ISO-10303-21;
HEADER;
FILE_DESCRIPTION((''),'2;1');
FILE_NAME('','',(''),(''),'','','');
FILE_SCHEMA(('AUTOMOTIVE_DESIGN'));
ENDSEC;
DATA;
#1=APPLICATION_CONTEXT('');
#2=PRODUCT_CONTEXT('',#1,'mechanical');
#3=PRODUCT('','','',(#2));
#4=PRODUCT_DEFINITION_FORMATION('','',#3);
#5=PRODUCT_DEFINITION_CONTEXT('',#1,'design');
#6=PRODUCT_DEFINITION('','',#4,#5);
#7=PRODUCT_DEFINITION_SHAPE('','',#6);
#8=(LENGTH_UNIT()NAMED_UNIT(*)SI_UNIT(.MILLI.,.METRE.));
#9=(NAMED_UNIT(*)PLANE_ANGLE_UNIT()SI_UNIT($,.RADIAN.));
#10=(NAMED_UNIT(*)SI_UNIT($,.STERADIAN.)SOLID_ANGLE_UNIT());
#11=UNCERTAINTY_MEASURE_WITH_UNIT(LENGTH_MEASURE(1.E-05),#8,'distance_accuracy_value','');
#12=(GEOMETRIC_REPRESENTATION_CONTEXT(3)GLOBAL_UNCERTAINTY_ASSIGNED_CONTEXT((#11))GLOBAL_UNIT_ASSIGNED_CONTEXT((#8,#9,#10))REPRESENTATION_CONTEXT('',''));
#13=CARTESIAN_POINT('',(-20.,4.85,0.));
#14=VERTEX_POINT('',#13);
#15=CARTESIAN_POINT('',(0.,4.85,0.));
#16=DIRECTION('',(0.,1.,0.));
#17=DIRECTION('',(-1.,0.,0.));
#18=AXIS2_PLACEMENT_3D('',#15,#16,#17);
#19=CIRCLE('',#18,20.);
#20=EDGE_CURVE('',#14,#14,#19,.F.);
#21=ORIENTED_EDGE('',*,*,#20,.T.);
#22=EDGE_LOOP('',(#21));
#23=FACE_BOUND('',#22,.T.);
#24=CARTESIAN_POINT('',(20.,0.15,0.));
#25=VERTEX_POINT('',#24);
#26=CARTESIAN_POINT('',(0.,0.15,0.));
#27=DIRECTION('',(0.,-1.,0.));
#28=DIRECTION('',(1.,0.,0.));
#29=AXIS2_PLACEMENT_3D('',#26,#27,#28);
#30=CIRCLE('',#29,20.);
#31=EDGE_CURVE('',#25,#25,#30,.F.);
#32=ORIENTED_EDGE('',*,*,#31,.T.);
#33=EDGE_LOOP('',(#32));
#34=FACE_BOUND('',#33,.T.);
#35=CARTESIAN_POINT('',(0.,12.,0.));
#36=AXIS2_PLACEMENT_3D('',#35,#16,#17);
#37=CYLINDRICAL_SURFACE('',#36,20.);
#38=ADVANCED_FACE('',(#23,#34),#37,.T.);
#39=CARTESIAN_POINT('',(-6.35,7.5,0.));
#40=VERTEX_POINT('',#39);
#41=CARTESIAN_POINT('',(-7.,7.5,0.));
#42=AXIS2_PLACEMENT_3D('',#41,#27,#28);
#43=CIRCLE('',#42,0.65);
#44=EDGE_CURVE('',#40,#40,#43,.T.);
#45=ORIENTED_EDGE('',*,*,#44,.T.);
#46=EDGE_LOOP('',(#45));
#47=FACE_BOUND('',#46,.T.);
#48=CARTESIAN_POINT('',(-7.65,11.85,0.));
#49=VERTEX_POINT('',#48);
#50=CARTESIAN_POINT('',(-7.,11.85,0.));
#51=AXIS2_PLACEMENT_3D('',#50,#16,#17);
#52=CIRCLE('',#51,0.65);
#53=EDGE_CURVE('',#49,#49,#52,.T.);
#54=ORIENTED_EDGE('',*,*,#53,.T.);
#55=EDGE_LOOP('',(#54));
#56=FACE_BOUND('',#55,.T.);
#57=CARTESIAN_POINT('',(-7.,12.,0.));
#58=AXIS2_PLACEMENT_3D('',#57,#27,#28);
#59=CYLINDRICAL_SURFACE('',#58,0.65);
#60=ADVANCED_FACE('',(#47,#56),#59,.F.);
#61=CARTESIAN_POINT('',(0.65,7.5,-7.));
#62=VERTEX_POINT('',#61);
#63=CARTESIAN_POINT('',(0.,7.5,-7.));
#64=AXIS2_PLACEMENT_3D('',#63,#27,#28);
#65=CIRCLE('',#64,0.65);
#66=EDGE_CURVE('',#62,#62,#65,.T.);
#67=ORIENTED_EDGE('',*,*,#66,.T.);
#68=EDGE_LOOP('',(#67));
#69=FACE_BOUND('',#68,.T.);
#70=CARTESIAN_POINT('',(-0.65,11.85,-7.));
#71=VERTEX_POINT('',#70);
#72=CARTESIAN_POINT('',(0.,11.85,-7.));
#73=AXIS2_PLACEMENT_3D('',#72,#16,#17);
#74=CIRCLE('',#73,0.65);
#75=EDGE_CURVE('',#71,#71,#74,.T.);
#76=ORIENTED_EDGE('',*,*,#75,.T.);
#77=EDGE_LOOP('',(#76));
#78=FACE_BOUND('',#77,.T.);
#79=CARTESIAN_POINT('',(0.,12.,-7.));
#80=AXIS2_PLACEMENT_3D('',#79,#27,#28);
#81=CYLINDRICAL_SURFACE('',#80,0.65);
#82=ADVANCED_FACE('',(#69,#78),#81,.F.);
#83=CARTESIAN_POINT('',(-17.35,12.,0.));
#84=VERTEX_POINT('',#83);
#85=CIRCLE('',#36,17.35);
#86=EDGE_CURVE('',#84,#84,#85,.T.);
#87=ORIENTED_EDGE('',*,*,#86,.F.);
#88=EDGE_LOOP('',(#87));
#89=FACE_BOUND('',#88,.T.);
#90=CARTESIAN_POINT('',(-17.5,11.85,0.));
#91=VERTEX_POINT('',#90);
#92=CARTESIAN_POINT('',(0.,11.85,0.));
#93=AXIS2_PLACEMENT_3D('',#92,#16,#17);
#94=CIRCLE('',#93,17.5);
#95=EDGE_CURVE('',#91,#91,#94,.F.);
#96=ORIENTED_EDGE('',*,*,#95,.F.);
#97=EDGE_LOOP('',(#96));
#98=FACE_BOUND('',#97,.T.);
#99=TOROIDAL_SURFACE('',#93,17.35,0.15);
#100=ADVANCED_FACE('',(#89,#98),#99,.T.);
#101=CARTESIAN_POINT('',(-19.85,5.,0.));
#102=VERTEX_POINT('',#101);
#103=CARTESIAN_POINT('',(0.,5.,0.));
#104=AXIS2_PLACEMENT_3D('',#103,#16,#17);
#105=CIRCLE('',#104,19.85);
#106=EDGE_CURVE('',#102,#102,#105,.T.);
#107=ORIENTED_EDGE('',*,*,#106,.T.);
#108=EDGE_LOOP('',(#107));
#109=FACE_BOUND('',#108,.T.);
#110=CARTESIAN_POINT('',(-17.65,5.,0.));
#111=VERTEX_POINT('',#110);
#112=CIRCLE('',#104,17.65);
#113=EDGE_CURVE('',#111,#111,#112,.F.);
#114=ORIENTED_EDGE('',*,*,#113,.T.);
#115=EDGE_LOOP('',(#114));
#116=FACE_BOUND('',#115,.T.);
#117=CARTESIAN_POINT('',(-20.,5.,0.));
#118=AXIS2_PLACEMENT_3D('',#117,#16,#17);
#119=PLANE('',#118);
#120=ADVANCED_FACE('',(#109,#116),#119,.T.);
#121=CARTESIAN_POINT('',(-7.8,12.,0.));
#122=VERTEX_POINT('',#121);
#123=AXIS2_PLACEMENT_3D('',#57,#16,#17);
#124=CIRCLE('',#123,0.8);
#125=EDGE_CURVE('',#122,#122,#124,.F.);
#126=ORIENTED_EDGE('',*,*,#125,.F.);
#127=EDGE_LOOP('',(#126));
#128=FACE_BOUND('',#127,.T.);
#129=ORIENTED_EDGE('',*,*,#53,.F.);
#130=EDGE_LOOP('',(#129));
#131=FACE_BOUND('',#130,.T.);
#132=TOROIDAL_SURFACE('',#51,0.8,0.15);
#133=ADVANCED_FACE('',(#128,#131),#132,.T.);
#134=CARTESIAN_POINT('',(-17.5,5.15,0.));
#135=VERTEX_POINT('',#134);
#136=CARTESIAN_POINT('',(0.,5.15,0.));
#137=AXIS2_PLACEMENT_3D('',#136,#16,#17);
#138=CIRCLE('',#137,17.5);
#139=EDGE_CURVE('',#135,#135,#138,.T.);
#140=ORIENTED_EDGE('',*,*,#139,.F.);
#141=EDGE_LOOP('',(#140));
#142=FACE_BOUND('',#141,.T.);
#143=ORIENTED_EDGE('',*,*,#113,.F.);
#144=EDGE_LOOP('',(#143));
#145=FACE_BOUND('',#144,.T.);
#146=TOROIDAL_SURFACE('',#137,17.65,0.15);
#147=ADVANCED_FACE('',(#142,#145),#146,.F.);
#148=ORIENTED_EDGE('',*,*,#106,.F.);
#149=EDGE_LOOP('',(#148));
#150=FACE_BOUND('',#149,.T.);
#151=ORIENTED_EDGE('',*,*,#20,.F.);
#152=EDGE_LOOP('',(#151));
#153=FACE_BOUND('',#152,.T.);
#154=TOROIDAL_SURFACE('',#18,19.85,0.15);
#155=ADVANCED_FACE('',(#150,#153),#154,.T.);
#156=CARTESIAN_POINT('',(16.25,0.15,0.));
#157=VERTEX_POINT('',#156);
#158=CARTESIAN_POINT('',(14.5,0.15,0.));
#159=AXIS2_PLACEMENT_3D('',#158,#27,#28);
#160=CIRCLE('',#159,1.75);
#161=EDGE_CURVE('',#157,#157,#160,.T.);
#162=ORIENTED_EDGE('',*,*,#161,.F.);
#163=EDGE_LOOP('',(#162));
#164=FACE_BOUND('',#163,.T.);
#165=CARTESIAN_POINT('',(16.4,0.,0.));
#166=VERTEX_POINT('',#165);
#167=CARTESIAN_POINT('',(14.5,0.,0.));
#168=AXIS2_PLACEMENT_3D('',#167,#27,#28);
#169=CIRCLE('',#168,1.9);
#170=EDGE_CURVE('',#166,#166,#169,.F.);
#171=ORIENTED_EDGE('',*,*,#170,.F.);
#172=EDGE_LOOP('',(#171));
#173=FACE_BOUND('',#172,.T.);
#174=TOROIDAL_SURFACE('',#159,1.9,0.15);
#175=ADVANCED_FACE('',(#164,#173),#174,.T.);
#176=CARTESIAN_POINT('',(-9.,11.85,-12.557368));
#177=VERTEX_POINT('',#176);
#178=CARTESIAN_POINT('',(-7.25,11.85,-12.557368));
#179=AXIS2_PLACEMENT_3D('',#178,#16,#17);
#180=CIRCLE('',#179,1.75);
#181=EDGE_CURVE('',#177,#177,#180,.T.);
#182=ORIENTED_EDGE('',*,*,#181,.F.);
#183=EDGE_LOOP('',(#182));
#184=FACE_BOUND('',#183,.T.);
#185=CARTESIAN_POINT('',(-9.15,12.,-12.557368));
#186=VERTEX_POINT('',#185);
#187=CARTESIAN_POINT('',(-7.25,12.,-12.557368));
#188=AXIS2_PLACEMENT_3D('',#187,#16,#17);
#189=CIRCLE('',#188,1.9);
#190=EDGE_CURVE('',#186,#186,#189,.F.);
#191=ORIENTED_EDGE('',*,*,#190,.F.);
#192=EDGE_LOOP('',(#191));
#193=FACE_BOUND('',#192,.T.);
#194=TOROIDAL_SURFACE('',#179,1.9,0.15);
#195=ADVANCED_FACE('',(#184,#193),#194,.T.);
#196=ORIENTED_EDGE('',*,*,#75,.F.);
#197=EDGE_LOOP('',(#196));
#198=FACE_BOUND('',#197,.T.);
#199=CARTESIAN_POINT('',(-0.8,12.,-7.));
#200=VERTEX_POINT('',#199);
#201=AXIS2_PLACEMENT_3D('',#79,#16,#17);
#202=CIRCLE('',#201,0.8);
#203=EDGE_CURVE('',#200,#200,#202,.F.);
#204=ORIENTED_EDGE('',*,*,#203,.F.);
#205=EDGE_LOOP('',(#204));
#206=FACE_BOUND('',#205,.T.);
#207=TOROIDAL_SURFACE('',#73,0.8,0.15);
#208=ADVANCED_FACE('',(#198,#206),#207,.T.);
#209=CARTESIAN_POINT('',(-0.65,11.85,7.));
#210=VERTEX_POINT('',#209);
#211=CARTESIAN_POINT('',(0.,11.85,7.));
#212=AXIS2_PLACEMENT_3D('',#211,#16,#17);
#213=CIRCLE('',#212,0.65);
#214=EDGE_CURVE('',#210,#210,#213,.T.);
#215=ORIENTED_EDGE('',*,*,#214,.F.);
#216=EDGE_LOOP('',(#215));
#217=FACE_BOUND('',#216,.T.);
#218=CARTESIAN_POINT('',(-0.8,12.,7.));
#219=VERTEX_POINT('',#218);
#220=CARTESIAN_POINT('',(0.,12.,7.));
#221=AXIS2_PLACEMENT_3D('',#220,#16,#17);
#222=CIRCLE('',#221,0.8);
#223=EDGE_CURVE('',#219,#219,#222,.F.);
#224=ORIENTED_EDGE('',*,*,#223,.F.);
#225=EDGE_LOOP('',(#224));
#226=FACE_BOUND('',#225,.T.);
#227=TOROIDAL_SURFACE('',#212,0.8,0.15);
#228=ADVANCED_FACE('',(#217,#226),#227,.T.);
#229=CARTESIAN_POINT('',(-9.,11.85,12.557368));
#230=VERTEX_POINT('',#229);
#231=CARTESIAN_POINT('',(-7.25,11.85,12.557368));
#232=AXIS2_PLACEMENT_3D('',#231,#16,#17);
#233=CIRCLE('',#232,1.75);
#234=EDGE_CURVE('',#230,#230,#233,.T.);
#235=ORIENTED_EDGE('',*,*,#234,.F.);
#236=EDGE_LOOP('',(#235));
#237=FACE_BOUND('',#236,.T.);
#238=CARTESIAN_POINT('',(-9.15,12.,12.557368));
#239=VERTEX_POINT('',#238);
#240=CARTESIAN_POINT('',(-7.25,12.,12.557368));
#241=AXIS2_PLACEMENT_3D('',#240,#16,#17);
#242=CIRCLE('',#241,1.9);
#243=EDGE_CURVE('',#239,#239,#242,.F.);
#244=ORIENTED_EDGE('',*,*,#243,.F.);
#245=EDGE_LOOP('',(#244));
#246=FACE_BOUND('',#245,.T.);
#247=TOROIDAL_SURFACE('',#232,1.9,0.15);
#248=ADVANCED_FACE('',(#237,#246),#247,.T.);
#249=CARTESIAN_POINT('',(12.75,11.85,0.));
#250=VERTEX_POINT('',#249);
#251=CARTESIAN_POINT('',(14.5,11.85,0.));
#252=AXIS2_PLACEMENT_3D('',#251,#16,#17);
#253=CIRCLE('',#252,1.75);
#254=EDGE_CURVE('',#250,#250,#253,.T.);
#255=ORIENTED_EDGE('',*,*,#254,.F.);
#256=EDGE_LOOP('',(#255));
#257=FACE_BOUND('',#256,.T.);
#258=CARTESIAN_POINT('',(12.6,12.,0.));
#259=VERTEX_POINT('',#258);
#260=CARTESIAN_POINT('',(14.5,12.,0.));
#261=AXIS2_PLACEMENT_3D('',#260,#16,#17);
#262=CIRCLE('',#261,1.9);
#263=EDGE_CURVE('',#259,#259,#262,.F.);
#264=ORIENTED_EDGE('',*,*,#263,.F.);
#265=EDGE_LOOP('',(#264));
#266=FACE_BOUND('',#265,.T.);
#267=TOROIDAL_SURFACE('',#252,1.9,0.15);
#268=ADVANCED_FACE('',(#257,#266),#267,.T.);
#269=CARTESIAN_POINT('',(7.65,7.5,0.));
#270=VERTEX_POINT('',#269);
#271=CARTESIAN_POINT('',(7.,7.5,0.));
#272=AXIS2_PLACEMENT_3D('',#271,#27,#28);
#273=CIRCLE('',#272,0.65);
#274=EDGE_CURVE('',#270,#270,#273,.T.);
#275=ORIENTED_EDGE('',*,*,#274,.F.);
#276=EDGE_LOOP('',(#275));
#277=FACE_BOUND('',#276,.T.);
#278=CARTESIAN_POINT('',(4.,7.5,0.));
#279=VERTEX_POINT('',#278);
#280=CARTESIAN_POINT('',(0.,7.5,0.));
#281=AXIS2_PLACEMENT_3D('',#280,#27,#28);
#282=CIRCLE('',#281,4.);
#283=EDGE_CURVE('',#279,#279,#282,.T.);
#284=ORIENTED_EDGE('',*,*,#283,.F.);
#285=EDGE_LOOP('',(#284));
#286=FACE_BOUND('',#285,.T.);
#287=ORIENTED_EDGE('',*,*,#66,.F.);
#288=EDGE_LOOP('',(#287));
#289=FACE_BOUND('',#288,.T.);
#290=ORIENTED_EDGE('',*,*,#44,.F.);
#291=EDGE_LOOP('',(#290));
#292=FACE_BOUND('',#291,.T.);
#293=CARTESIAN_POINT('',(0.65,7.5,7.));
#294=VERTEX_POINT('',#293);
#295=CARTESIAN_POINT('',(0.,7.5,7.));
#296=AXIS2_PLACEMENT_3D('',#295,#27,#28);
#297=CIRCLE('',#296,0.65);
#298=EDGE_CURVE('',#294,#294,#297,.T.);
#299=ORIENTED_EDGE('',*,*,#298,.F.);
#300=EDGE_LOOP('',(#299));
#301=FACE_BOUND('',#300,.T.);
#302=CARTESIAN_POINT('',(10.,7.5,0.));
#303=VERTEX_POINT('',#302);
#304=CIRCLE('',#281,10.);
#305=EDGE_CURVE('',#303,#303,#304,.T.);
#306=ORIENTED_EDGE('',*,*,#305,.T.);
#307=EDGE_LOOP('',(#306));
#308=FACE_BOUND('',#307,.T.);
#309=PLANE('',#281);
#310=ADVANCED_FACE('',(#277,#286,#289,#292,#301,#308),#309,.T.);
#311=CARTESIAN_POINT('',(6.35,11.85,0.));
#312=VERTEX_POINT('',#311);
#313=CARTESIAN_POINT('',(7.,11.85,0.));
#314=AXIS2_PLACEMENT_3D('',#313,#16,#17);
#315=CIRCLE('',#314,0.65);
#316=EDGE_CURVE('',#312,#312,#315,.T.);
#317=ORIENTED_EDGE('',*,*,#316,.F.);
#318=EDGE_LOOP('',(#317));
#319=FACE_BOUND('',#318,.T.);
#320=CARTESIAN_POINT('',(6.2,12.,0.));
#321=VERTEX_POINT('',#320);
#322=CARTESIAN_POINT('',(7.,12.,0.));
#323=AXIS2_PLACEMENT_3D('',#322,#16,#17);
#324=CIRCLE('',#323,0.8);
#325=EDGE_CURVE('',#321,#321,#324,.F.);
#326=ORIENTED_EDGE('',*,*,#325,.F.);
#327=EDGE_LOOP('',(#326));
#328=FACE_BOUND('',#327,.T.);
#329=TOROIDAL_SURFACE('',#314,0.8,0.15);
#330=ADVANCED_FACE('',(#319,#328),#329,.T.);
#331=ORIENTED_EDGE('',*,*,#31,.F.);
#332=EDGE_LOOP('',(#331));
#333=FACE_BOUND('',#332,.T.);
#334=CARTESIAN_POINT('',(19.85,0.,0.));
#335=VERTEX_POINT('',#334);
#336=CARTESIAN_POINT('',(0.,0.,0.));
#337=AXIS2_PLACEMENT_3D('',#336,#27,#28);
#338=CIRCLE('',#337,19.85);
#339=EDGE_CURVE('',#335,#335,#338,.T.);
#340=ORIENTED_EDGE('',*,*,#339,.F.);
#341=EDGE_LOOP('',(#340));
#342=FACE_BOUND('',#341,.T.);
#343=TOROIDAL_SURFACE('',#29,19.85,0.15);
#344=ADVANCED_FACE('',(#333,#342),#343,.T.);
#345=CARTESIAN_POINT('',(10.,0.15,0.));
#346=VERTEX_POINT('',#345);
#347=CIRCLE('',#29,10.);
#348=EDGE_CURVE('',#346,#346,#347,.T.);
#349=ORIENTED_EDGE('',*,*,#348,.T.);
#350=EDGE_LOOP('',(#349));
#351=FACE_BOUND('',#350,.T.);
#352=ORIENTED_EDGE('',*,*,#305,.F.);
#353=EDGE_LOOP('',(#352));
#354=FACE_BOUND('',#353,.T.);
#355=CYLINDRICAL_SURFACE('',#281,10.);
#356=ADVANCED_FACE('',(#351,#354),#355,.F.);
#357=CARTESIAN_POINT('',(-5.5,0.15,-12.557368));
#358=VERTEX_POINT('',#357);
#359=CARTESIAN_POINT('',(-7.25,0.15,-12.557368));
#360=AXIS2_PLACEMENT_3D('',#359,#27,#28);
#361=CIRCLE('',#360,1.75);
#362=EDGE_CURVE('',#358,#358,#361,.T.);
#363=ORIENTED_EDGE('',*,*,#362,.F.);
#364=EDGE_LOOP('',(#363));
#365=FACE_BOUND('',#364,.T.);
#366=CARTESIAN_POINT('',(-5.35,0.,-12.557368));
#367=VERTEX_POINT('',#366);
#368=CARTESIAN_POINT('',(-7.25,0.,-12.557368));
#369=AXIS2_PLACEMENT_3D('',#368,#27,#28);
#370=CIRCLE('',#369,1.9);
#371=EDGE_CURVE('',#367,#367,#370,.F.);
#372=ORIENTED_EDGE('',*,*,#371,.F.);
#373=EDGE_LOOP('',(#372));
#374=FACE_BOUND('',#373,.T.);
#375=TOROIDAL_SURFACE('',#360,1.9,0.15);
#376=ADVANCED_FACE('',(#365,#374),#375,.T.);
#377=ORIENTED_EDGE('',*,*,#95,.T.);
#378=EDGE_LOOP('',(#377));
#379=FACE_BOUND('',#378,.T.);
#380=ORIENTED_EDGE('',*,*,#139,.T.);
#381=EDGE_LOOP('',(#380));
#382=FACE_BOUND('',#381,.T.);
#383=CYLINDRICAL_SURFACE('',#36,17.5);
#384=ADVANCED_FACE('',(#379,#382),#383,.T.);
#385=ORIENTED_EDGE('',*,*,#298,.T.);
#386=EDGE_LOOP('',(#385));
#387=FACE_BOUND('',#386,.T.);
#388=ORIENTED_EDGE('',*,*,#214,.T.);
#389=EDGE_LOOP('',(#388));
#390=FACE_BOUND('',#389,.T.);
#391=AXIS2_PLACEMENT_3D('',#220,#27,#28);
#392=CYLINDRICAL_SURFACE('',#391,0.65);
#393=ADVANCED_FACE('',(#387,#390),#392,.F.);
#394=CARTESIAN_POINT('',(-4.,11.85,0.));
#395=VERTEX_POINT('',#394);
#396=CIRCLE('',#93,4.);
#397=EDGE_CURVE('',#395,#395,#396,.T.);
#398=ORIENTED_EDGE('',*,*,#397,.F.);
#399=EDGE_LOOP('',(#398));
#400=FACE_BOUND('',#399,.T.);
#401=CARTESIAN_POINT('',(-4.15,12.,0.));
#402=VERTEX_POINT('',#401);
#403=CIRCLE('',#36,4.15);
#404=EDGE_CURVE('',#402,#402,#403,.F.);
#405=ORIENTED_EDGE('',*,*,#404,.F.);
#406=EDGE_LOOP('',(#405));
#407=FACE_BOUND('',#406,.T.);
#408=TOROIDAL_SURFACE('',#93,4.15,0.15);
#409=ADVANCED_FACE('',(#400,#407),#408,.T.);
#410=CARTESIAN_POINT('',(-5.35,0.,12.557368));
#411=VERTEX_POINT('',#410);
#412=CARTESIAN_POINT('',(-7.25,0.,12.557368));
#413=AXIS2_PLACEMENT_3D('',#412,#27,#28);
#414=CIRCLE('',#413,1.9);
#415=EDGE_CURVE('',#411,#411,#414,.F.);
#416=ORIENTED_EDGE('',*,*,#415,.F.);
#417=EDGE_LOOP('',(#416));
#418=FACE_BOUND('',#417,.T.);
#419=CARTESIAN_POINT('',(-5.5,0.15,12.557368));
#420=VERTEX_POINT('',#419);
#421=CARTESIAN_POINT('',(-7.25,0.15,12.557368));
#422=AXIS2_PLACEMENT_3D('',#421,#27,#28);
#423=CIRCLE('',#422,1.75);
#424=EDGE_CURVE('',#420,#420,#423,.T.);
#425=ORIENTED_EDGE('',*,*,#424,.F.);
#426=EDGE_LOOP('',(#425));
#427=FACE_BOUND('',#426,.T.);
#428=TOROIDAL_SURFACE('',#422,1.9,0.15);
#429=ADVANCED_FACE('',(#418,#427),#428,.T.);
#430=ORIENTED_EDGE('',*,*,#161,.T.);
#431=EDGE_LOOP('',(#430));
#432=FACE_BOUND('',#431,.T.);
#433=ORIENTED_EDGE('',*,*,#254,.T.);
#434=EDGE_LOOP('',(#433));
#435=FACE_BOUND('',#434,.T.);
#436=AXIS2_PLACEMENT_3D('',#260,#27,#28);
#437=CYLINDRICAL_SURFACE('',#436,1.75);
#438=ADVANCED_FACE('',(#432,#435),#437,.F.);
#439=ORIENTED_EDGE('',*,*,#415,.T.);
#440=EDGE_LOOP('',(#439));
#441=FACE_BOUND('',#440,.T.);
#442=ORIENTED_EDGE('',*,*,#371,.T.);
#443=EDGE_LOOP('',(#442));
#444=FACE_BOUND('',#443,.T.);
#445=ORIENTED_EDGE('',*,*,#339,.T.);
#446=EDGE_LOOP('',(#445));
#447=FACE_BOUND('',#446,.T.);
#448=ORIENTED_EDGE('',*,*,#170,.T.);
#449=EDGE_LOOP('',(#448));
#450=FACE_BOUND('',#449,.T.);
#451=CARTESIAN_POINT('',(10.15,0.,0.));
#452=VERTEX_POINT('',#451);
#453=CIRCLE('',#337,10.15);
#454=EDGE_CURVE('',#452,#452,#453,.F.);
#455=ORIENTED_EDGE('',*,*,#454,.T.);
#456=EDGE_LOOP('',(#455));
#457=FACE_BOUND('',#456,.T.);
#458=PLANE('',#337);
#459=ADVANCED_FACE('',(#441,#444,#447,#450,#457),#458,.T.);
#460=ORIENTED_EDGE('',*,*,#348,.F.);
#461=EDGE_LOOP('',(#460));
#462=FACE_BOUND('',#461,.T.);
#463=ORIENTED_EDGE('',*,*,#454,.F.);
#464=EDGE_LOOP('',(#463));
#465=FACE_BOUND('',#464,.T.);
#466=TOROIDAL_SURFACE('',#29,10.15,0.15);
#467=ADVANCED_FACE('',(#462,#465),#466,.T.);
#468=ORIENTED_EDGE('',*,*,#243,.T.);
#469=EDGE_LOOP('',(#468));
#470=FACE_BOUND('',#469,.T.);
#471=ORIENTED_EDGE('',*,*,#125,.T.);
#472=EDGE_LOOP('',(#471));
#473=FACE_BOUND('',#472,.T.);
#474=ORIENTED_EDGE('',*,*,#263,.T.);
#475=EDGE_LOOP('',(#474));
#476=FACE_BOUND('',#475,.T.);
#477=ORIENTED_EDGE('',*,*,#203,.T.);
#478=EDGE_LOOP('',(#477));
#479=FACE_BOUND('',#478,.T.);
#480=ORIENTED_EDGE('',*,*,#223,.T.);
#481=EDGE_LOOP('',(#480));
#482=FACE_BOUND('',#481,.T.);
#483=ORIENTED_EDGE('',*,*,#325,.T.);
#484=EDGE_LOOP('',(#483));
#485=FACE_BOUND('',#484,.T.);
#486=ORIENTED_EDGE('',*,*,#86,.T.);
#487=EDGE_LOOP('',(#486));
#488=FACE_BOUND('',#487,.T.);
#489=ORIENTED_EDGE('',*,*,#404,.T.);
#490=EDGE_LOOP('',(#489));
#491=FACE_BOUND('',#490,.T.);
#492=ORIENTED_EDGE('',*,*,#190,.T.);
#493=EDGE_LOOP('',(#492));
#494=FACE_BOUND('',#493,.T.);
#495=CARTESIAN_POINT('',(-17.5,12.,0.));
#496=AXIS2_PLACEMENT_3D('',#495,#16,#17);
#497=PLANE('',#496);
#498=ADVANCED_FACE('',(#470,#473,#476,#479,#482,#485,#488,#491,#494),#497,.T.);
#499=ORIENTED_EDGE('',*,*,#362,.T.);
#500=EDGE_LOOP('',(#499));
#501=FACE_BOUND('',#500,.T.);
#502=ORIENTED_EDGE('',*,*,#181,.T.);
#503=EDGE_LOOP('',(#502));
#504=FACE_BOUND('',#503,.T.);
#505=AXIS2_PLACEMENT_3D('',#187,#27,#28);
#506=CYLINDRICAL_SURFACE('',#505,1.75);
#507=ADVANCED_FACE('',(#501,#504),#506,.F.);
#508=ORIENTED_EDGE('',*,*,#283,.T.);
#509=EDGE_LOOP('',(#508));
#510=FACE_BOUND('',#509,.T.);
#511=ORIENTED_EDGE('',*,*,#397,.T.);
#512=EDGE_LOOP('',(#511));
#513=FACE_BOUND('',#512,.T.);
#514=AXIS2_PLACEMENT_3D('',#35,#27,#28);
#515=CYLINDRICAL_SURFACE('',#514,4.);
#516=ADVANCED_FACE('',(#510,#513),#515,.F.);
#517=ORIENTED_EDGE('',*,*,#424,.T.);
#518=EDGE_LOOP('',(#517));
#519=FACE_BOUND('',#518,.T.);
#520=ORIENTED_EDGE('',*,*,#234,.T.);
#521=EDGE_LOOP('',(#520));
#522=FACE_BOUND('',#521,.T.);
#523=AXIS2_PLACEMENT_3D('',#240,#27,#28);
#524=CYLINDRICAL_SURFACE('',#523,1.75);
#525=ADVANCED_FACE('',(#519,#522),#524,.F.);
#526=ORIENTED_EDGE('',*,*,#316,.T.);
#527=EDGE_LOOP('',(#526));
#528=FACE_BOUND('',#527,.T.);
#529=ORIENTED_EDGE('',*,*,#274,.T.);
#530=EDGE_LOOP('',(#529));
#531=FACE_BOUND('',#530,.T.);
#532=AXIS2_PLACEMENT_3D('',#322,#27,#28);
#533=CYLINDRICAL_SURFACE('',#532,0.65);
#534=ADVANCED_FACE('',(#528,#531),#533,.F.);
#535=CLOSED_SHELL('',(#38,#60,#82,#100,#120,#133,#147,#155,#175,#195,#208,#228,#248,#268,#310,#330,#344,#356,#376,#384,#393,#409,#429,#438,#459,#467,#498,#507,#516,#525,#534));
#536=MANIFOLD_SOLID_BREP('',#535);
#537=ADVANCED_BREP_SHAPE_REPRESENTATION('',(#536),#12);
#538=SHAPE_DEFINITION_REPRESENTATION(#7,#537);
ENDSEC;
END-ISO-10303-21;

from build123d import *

# Parameters (mm, degrees)
SKETCH3_R          = 1.75
SKETCH3_R_2        = 4
SKETCH3_R_3        = 0.65
CUT_EXTRUDE1_DEPTH = 31.724582991
SKETCH3_3_R        = 10
SKETCH3_3_R_2      = 4
SKETCH3_3_R_3      = 0.65
SKETCH3_3_R_4      = 1.75
CUT_EXTRUDE2_DEPTH = 7.5
FILLET1_R          = 0.15


with BuildPart() as part:
    # Sketch2 → Revolve1 (revolve)
    with BuildSketch(Plane.XY):
        Polygon((0, 0), (-20, 0), (-20, 5), (-17.5, 5), (-17.5, 12), (0, 12), align=None)
    revolve(axis=Axis((0, 12, 0), (0, -1, 0)))

    # Sketch3 → Cut-Extrude1 (cut, through all)
    with BuildSketch(Plane.XZ):
        with Locations((14.5, 0)):
            Circle(SKETCH3_R)
        with Locations((-7.25, -12.557368355)):
            Circle(SKETCH3_R)
        with Locations((-7.25, 12.557368355)):
            Circle(SKETCH3_R)
        Circle(SKETCH3_R_2)
        with Locations((7, 0)):
            Circle(SKETCH3_R_3)
        with Locations((0, -7)):
            Circle(SKETCH3_R_3)
        with Locations((-7, 0)):
            Circle(SKETCH3_R_3)
        with Locations((0, 7)):
            Circle(SKETCH3_R_3)
    extrude(amount=-CUT_EXTRUDE1_DEPTH, mode=Mode.SUBTRACT)

    # Sketch3<3> → Cut-Extrude2 (cut)
    # profile 1 of 4: a face of its own
    with BuildSketch(Plane.XZ):
        Circle(SKETCH3_3_R)
        Circle(SKETCH3_3_R_2, mode=Mode.SUBTRACT)
        with Locations((7, 0)):
            Circle(SKETCH3_3_R_3, mode=Mode.SUBTRACT)
        with Locations((0, -7)):
            Circle(SKETCH3_3_R_3, mode=Mode.SUBTRACT)
        with Locations((-7, 0)):
            Circle(SKETCH3_3_R_3, mode=Mode.SUBTRACT)
        with Locations((0, 7)):
            Circle(SKETCH3_3_R_3, mode=Mode.SUBTRACT)
    # profile 2 of 4: a face of its own
    with BuildSketch(Plane.XZ):
        with Locations((14.5, 0)):
            Circle(SKETCH3_3_R_4)
    # profile 3 of 4: a face of its own
    with BuildSketch(Plane.XZ):
        with Locations((-7.25, -12.557368355)):
            Circle(SKETCH3_3_R_4)
    # profile 4 of 4: a face of its own
    with BuildSketch(Plane.XZ):
        with Locations((-7.25, 12.557368355)):
            Circle(SKETCH3_3_R_4)
    extrude(amount=-CUT_EXTRUDE2_DEPTH, mode=Mode.SUBTRACT)

    # Fillet1
    fillet1_edges = [part.edges().sort_by_distance(p)[0] for p in [
        (20, 0, 0),
        (-9, 0, -12.557368355),
        (12.75, 0, 0),
        (-9, 0, 12.557368355),
        (-10, 0, 0),
        (17.5, 5, 0),
        (20, 5, 0),
        (17.5, 12, 0),
        (-7.65, 12, 0),
        (6.35, 12, 0),
        (-0.65, 12, 7),
        (-0.65, 12, -7),
        (-4, 12, 0),
        (-9, 12, -12.557368355),
        (12.75, 12, 0),
        (-9, 12, 12.557368355),
    ]]
    fillet(fillet1_edges, radius=FILLET1_R)


solid = part.part
